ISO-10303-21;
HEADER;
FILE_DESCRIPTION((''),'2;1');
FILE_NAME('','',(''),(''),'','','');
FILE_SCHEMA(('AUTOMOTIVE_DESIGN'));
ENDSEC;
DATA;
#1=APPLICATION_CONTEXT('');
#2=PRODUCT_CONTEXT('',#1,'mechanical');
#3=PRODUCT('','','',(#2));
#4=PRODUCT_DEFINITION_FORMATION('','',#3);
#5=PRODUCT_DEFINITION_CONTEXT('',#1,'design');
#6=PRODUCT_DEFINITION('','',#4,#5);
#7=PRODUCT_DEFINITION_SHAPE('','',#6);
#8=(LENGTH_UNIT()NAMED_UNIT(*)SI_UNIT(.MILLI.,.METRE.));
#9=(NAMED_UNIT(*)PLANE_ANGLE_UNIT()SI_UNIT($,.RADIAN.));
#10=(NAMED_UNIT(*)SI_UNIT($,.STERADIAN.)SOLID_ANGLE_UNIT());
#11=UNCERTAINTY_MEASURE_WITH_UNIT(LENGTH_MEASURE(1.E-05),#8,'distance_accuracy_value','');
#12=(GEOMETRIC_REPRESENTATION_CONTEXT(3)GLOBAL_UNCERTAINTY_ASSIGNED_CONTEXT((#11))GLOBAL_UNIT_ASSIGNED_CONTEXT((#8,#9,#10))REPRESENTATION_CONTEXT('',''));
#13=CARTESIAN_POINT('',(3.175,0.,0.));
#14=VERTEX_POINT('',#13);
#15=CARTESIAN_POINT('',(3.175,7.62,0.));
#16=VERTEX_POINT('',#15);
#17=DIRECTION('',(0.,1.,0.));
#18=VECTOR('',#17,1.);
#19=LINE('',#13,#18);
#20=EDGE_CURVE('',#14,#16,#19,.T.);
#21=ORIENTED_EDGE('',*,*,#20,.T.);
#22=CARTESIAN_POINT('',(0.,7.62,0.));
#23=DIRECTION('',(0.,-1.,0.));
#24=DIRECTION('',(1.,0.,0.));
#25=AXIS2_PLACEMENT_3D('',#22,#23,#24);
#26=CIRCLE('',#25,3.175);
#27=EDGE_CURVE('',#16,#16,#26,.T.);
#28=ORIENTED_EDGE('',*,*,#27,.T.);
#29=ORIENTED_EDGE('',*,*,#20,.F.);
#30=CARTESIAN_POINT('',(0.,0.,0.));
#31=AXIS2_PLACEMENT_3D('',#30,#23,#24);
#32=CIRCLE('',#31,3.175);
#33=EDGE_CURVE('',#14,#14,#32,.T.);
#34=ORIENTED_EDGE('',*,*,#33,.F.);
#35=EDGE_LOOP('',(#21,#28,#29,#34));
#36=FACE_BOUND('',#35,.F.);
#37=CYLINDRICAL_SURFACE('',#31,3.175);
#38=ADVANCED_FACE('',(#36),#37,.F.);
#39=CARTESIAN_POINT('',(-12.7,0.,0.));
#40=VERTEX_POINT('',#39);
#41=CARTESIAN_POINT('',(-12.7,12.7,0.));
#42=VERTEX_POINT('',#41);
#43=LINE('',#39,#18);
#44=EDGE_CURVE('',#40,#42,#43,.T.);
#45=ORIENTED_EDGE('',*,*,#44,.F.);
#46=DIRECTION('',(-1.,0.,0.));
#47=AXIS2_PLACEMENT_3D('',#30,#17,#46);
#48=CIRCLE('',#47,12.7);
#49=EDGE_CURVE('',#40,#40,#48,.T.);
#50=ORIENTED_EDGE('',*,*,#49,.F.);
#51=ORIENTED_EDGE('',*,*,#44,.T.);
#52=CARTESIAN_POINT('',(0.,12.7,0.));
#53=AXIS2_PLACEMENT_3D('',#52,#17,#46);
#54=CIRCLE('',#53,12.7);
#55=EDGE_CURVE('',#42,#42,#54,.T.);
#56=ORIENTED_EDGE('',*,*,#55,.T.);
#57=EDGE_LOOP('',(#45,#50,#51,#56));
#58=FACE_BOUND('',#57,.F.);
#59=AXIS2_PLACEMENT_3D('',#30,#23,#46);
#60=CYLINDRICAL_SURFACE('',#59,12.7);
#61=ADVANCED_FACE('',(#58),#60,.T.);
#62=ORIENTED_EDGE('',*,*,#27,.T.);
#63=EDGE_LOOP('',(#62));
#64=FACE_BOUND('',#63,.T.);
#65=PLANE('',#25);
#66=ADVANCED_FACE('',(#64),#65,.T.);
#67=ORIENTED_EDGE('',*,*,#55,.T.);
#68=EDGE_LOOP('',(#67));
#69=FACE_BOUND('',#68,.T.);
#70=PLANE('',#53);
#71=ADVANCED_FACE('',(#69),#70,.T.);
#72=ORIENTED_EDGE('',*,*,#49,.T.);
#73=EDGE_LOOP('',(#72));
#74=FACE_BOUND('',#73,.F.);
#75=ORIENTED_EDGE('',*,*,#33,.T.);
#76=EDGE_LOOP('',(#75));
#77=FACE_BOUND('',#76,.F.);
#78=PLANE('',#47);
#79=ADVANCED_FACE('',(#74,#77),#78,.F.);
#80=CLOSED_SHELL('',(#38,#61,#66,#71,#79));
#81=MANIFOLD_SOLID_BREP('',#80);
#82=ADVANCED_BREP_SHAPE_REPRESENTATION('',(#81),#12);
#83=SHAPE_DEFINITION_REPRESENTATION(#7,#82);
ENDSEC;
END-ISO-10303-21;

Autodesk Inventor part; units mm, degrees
ref_plane "YZ Plane" through (0, 0, 0) normal (1, 0, 0) x (0, 1, 0)
ref_plane "XZ Plane" through (0, 0, 0) normal (0, 1, 0) x (-1, 0, 0)
ref_plane "XY Plane" through (0, 0, 0) normal (0, 0, 1) x (1, 0, 0)
sketch "Sketch1" plane through (0, 0, 0) normal (0, 1, 0) x (-1, 0, 0)
  circle A0 centre (0, 0) radius 12.7
  dimension "d0" = 25.4
extrude "Extrusion1" add sketch "Sketch1" along normal blind 12.7
sketch "Sketch2" plane through (0, 0, 0) normal (0, -1, 0) x (1, 0, 0)
  circle A0 centre (0, 0) radius 3.175
  dimension "d3" = 6.35
extrude "Extrusion2" cut sketch "Sketch2" against normal blind 7.62
properties part number "Glass mount X4"
